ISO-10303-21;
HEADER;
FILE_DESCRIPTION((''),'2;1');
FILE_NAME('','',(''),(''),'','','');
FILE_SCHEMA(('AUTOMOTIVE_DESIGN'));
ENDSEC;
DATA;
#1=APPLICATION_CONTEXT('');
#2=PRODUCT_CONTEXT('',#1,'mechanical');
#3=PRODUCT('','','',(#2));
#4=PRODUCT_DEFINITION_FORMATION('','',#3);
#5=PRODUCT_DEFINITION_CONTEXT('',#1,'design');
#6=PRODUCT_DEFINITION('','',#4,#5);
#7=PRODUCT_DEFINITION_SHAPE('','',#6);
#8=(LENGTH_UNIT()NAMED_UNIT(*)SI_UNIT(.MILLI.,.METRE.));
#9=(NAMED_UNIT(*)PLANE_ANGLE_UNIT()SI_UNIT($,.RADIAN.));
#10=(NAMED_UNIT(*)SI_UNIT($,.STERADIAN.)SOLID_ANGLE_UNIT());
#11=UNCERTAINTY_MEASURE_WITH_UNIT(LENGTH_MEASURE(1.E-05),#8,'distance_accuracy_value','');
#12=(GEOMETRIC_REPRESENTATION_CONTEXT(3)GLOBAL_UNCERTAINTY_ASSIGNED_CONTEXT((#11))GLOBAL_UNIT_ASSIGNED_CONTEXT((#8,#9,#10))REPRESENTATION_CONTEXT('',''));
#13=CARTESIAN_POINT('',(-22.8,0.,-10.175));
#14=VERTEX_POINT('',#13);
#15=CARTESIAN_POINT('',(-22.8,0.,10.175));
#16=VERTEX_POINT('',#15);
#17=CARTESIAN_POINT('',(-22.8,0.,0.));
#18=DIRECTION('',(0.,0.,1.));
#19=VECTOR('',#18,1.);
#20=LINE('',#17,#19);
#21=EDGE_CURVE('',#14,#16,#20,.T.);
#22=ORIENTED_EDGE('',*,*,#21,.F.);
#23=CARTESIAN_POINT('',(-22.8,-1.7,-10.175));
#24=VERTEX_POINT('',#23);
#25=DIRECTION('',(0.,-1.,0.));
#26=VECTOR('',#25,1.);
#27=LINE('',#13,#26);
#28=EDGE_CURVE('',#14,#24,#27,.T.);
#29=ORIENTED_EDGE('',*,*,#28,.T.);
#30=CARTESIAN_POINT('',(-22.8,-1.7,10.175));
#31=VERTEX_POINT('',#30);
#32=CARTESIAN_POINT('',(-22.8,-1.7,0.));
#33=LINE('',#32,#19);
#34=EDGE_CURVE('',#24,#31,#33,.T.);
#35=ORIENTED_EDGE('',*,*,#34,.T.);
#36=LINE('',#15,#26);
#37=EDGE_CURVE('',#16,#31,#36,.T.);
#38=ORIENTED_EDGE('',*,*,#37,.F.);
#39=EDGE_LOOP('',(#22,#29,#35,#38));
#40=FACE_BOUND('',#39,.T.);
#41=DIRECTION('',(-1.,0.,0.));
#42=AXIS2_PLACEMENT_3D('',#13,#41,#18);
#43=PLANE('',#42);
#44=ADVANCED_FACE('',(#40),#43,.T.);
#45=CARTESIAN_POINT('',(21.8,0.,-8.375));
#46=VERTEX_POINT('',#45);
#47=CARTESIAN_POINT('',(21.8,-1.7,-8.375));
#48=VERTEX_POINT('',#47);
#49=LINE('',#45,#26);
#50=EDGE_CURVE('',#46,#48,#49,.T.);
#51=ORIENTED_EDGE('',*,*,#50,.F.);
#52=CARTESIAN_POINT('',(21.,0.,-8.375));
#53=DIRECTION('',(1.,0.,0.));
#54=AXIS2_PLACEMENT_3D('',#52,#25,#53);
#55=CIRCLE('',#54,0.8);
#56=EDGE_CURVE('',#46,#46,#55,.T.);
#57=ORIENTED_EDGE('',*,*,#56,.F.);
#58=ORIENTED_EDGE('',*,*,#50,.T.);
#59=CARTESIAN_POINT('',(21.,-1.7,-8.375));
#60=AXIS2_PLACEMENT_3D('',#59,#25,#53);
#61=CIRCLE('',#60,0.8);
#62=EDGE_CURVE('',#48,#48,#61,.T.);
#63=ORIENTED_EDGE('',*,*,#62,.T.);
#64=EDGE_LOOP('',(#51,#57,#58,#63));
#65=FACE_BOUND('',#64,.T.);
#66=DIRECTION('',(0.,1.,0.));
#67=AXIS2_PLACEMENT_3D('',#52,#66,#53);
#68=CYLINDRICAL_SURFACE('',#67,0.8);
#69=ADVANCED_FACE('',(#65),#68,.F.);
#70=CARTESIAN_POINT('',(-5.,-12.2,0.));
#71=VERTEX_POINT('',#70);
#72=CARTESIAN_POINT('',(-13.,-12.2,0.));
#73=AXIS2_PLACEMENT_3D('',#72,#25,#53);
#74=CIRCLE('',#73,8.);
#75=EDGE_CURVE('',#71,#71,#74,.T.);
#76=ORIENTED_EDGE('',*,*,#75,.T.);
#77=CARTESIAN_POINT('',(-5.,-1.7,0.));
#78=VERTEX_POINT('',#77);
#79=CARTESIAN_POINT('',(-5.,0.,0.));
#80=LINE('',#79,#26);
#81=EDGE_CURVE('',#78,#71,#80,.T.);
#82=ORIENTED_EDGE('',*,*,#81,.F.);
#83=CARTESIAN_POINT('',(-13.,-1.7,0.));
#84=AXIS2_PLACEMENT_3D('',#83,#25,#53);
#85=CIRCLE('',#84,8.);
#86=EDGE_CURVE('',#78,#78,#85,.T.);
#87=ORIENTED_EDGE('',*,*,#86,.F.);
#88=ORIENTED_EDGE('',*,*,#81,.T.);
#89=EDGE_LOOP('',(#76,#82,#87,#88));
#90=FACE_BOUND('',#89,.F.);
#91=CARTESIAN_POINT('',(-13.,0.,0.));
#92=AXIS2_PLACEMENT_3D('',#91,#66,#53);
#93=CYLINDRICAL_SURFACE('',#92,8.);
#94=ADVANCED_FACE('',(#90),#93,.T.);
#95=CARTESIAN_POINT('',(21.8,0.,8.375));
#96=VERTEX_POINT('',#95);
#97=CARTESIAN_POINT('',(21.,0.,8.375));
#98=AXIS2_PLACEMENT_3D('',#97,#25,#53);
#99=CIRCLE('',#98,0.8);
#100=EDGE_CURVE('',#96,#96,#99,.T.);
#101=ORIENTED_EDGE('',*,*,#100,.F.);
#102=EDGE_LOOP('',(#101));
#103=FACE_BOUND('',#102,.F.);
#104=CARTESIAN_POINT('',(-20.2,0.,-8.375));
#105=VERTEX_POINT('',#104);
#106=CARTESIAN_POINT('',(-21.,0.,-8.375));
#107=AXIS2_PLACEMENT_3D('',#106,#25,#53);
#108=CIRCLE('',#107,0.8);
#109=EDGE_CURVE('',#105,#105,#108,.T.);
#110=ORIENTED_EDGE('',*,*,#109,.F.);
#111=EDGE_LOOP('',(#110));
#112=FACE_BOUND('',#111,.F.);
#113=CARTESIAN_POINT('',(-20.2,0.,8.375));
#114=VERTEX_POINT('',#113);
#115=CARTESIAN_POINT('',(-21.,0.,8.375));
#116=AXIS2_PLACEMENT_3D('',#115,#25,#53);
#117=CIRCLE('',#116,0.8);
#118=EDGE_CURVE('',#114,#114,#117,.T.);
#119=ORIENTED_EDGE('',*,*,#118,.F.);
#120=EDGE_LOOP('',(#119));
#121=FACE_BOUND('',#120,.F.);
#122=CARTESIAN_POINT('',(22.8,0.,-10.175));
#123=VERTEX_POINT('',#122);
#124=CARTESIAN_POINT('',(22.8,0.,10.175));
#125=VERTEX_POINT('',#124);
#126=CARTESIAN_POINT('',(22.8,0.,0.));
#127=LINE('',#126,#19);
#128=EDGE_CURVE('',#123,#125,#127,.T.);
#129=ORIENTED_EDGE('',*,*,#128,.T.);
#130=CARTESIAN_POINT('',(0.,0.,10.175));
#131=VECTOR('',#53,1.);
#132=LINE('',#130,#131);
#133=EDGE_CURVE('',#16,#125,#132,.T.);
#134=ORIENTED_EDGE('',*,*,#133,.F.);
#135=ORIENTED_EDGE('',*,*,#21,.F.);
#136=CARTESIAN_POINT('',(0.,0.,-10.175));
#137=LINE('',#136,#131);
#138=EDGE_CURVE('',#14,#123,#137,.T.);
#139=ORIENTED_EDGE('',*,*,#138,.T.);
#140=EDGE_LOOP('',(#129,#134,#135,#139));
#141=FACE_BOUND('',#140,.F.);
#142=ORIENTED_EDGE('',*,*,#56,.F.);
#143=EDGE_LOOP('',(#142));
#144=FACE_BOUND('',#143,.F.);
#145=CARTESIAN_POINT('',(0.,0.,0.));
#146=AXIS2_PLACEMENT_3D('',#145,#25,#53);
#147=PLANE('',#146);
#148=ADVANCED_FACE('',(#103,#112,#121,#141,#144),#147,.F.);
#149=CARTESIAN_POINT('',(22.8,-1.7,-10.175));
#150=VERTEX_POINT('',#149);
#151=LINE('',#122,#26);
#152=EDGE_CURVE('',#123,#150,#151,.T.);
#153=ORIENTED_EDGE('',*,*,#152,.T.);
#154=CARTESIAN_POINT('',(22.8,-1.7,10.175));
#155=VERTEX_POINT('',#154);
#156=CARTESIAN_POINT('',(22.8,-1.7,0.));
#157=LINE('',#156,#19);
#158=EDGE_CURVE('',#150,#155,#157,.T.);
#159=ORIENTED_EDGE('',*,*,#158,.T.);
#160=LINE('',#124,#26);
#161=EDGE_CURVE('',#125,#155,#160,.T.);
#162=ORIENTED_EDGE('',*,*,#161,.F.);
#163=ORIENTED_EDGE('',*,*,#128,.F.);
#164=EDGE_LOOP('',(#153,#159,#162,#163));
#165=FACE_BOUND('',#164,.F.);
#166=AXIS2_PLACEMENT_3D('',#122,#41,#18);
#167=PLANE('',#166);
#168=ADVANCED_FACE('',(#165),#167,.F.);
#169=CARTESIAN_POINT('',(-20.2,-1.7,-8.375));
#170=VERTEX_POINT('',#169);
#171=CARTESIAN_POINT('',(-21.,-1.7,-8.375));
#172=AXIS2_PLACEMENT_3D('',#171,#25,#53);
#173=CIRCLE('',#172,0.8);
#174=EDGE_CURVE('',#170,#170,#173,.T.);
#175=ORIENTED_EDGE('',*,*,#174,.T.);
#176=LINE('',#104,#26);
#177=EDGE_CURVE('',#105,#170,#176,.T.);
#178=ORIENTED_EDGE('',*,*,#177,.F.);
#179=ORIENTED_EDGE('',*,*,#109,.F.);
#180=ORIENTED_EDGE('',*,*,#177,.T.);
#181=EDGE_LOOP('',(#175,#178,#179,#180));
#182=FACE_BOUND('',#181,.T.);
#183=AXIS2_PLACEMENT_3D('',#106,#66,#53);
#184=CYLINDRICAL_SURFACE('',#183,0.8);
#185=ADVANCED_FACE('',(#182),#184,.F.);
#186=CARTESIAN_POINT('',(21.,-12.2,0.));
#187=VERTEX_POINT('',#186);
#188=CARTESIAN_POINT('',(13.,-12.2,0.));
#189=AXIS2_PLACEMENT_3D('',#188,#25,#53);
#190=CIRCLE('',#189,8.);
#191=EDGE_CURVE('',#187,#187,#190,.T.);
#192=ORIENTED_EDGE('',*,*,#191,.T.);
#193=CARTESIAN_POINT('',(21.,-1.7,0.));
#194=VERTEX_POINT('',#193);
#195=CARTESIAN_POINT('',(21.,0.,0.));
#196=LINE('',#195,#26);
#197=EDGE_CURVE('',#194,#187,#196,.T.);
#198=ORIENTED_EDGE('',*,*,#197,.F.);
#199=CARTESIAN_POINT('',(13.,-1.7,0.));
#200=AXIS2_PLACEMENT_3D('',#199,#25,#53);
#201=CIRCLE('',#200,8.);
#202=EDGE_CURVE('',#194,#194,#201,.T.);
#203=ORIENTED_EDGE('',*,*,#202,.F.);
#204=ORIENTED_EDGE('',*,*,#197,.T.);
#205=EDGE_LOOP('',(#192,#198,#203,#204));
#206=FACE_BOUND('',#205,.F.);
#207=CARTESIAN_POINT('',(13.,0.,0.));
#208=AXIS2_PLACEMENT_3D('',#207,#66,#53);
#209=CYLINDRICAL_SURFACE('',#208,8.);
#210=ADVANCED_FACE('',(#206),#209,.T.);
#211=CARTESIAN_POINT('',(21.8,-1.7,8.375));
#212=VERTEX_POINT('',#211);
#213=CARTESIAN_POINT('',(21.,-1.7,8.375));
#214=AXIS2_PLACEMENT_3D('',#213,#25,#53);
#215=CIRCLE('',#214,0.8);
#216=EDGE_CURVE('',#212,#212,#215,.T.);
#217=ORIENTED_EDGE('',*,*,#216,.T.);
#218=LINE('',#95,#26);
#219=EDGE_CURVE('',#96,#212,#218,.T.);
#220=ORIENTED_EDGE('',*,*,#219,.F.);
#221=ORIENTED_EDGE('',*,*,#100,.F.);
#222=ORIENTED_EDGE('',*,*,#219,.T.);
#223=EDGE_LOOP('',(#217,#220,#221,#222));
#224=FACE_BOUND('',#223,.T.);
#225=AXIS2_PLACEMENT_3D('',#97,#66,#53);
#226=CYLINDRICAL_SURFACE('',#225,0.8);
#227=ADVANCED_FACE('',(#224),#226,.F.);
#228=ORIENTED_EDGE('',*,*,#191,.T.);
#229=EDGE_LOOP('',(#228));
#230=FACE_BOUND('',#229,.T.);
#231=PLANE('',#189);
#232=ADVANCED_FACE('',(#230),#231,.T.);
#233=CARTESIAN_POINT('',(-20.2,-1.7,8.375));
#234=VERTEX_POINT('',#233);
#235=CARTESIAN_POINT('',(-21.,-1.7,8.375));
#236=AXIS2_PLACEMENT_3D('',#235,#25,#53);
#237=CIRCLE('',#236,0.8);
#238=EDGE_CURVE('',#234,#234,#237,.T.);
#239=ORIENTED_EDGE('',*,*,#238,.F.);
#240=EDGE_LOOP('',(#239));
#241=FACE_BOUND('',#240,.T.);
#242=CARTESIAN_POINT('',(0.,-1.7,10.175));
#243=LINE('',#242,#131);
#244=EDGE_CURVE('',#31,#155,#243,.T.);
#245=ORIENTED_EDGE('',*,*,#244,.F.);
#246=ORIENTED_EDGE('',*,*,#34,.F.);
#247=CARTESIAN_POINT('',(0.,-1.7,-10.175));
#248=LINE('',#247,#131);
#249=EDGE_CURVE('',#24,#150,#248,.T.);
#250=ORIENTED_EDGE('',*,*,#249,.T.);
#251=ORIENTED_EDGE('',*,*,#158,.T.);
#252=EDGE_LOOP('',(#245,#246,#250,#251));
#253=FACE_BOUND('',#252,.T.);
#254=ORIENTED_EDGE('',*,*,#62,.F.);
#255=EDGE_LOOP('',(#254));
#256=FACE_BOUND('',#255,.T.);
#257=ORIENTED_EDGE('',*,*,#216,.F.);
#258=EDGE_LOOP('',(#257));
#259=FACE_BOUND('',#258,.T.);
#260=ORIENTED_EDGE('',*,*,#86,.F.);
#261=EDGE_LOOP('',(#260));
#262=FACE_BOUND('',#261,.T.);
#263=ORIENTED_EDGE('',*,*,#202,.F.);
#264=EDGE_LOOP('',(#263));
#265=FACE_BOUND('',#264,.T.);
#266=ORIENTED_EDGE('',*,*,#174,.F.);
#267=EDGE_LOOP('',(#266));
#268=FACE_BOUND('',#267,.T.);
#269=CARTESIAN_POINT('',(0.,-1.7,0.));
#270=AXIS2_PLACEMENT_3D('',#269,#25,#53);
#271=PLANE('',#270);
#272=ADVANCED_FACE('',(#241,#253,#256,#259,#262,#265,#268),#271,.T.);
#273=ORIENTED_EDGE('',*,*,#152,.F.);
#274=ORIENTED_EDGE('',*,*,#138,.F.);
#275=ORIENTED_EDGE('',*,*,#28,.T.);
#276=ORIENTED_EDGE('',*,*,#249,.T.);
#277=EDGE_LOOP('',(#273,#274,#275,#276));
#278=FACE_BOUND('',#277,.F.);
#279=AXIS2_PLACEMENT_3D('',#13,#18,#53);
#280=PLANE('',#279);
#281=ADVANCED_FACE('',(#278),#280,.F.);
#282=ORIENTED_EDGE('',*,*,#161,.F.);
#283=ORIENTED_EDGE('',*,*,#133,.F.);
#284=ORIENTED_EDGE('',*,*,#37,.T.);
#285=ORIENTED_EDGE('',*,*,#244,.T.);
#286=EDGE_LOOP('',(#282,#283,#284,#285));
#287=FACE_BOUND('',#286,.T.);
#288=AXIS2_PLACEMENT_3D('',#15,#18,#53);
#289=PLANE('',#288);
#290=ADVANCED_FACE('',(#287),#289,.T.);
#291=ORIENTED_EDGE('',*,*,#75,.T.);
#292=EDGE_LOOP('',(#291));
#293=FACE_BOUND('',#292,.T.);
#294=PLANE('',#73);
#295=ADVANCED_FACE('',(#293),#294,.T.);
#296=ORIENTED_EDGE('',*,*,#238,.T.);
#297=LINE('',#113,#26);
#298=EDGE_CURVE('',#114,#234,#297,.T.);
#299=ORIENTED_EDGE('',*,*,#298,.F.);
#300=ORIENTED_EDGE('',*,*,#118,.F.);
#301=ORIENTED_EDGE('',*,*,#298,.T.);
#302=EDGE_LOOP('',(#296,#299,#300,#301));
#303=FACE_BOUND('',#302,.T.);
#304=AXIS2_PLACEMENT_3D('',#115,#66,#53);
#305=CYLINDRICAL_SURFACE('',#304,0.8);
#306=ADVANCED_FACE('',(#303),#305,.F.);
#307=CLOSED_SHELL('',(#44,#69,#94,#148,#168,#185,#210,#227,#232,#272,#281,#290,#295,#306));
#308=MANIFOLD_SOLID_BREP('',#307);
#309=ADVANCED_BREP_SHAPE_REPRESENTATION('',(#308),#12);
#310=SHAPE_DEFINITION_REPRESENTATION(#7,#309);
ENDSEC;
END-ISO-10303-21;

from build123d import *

# Parameters (mm, degrees)
F0_W     = 45.6
F0_H     = 20.35
F0_R     = 0.8
F0_R_2   = 8
F1_DEPTH = 1.7
F2_DEPTH = 12.2


with BuildPart() as f1:
    # F0 (on Front) → F1 (new body)
    with BuildSketch(Plane.XZ):
        Rectangle(F0_W, F0_H)
        with Locations((-21, -8.375)):
            Circle(F0_R, mode=Mode.SUBTRACT)
        with Locations((21, -8.375)):
            Circle(F0_R, mode=Mode.SUBTRACT)
        with Locations((-13, 0)):
            Circle(F0_R_2, mode=Mode.SUBTRACT)
        with Locations((-21, 8.375)):
            Circle(F0_R, mode=Mode.SUBTRACT)
        with Locations((13, 0)):
            Circle(F0_R_2, mode=Mode.SUBTRACT)
        with Locations((21, 8.375)):
            Circle(F0_R, mode=Mode.SUBTRACT)
    extrude(amount=F1_DEPTH)

    # F0 (on Front) → F2 (join)
    with BuildSketch(Plane.XZ):
        with Locations((-13, 0)):
            Circle(F0_R_2)
        with Locations((13, 0)):
            Circle(F0_R_2)
    extrude(amount=F2_DEPTH)


solid = f1.part
